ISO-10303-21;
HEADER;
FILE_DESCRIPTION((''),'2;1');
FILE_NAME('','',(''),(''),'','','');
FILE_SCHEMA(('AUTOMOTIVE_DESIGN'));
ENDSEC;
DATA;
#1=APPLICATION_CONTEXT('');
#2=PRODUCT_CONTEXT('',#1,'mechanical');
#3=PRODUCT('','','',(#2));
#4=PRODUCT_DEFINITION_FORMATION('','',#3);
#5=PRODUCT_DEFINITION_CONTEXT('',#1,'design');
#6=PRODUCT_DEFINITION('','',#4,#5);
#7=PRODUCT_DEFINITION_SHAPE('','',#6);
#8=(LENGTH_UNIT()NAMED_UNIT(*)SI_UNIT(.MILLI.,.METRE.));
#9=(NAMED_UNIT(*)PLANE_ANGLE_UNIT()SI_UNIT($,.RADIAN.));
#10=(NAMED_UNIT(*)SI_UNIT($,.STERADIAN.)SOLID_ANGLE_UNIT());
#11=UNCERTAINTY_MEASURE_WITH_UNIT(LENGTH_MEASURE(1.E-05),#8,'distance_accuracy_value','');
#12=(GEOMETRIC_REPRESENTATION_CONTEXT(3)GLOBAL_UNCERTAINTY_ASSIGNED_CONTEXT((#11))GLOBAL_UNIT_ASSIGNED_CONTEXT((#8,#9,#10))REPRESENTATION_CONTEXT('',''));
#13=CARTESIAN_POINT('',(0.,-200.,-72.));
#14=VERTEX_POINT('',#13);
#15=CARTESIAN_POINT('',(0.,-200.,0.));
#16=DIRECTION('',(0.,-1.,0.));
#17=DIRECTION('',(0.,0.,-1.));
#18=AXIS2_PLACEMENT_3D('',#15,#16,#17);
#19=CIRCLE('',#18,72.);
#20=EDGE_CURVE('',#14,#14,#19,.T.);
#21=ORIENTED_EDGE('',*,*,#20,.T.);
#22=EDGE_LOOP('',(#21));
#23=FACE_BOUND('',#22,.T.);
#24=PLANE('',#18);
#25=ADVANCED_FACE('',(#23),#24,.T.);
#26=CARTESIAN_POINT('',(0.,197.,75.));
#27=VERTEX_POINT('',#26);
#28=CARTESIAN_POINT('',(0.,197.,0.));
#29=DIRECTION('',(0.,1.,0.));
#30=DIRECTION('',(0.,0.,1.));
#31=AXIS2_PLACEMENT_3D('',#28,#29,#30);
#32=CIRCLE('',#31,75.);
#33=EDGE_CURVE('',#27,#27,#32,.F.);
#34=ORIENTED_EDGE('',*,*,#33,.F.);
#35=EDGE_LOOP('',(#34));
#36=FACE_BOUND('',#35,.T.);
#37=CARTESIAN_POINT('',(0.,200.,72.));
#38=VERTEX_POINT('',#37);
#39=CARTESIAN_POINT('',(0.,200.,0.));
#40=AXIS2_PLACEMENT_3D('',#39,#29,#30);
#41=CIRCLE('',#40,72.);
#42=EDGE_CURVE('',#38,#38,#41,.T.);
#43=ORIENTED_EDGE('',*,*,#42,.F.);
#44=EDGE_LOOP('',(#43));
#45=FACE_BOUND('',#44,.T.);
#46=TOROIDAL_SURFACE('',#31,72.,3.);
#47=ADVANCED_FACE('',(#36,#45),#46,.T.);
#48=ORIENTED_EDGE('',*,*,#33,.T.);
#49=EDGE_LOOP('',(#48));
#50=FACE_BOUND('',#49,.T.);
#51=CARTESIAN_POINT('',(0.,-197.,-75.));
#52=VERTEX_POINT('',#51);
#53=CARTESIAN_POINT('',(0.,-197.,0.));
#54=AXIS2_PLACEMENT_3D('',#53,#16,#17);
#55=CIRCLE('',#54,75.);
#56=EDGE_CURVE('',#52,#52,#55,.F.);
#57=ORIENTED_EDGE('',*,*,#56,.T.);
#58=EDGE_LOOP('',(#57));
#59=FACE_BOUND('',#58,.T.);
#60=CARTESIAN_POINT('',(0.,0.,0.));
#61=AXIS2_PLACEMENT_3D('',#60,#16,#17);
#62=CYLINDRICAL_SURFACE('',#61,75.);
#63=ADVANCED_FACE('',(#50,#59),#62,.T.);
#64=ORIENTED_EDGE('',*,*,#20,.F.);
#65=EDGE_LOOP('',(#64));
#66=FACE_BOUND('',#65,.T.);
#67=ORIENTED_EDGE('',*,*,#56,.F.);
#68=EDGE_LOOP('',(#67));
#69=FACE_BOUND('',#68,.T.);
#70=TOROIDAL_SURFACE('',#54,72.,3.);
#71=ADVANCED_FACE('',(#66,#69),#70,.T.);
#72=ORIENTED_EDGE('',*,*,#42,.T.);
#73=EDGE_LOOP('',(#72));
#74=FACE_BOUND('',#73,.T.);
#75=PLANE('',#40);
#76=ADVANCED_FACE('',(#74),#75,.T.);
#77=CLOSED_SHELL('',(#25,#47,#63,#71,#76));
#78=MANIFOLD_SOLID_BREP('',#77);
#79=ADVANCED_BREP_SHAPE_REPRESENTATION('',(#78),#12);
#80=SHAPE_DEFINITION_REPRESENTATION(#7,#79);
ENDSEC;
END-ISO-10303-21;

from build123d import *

# Parameters (mm, degrees)
SKETCH1_W = 75
SKETCH1_H = 400
FILLET1_R = 3


with BuildPart() as part:
    # Sketch1 → Revolve1 (revolve)
    with BuildSketch(Plane.XY, mode=Mode.PRIVATE) as revolve1_sk:
        with Locations((37.5, 0)):
            Rectangle(SKETCH1_W, SKETCH1_H)
    revolve(revolve1_sk.sketch.rotate(Axis((0, 0, 0), (0, 1, 0)), 90), axis=Axis((0, 0, 0), (0, 1, 0)))

    # Fillet1
    fillet1_edges = [part.edges().sort_by_distance(p)[0] for p in [
        (0, 200, 75),
        (0, -200, 75),
    ]]
    fillet(fillet1_edges, radius=FILLET1_R)


solid = part.part
